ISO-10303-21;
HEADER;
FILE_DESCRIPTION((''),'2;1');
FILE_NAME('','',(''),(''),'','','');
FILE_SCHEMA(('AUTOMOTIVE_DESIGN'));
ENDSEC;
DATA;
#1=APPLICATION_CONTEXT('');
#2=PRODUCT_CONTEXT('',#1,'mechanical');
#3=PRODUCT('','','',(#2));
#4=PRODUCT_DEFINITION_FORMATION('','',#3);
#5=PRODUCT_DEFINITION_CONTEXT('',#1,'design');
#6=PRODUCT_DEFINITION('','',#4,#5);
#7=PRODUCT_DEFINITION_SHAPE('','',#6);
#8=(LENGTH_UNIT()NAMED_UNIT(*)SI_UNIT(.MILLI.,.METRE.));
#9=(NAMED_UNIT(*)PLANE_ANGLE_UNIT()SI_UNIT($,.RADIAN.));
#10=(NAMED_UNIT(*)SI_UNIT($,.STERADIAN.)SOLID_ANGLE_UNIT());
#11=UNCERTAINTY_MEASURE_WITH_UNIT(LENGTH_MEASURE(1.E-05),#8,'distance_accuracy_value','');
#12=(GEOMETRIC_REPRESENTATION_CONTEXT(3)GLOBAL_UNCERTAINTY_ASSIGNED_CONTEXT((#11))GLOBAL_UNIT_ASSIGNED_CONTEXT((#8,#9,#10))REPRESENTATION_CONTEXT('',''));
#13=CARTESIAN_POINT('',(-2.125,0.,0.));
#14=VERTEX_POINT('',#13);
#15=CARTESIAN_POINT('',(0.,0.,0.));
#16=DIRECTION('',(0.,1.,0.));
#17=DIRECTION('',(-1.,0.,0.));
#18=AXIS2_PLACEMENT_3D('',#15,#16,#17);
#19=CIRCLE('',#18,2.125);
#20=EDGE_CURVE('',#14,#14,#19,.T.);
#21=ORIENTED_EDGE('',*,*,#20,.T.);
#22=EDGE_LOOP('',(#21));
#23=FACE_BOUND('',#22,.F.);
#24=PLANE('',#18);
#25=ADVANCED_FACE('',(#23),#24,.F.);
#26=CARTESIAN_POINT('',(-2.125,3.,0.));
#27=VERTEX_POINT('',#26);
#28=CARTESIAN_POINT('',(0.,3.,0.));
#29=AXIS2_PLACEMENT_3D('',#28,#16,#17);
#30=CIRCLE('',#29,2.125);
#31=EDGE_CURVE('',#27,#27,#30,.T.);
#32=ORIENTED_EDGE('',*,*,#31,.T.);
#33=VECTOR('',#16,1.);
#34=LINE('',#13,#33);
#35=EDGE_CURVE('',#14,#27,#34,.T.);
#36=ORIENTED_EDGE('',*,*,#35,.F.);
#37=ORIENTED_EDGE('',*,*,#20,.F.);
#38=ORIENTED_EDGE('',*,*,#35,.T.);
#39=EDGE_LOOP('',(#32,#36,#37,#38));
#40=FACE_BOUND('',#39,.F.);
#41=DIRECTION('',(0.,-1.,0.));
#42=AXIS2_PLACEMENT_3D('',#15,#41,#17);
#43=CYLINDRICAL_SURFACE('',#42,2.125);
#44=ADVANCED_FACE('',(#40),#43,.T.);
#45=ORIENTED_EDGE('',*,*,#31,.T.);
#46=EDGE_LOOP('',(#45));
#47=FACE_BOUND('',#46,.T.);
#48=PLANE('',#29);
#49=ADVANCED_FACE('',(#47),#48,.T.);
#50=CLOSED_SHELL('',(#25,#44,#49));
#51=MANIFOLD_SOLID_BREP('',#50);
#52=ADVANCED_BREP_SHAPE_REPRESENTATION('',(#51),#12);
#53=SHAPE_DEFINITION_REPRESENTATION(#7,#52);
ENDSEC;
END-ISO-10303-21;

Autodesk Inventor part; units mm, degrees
ref_plane "YZ Plane" through (0, 0, 0) normal (1, 0, 0) x (0, 1, 0)
ref_plane "XZ Plane" through (0, 0, 0) normal (0, 1, 0) x (-1, 0, 0)
ref_plane "XY Plane" through (0, 0, 0) normal (0, 0, 1) x (1, 0, 0)
sketch "Sketch1" plane through (0, 0, 0) normal (0, 1, 0) x (-1, 0, 0)
  circle A0 centre (0, 0) radius 2.125
  dimension "d0" = 4.25
extrude "Extrusion1" add sketch "Sketch1" along normal blind 3
properties part number "PegSmall"
